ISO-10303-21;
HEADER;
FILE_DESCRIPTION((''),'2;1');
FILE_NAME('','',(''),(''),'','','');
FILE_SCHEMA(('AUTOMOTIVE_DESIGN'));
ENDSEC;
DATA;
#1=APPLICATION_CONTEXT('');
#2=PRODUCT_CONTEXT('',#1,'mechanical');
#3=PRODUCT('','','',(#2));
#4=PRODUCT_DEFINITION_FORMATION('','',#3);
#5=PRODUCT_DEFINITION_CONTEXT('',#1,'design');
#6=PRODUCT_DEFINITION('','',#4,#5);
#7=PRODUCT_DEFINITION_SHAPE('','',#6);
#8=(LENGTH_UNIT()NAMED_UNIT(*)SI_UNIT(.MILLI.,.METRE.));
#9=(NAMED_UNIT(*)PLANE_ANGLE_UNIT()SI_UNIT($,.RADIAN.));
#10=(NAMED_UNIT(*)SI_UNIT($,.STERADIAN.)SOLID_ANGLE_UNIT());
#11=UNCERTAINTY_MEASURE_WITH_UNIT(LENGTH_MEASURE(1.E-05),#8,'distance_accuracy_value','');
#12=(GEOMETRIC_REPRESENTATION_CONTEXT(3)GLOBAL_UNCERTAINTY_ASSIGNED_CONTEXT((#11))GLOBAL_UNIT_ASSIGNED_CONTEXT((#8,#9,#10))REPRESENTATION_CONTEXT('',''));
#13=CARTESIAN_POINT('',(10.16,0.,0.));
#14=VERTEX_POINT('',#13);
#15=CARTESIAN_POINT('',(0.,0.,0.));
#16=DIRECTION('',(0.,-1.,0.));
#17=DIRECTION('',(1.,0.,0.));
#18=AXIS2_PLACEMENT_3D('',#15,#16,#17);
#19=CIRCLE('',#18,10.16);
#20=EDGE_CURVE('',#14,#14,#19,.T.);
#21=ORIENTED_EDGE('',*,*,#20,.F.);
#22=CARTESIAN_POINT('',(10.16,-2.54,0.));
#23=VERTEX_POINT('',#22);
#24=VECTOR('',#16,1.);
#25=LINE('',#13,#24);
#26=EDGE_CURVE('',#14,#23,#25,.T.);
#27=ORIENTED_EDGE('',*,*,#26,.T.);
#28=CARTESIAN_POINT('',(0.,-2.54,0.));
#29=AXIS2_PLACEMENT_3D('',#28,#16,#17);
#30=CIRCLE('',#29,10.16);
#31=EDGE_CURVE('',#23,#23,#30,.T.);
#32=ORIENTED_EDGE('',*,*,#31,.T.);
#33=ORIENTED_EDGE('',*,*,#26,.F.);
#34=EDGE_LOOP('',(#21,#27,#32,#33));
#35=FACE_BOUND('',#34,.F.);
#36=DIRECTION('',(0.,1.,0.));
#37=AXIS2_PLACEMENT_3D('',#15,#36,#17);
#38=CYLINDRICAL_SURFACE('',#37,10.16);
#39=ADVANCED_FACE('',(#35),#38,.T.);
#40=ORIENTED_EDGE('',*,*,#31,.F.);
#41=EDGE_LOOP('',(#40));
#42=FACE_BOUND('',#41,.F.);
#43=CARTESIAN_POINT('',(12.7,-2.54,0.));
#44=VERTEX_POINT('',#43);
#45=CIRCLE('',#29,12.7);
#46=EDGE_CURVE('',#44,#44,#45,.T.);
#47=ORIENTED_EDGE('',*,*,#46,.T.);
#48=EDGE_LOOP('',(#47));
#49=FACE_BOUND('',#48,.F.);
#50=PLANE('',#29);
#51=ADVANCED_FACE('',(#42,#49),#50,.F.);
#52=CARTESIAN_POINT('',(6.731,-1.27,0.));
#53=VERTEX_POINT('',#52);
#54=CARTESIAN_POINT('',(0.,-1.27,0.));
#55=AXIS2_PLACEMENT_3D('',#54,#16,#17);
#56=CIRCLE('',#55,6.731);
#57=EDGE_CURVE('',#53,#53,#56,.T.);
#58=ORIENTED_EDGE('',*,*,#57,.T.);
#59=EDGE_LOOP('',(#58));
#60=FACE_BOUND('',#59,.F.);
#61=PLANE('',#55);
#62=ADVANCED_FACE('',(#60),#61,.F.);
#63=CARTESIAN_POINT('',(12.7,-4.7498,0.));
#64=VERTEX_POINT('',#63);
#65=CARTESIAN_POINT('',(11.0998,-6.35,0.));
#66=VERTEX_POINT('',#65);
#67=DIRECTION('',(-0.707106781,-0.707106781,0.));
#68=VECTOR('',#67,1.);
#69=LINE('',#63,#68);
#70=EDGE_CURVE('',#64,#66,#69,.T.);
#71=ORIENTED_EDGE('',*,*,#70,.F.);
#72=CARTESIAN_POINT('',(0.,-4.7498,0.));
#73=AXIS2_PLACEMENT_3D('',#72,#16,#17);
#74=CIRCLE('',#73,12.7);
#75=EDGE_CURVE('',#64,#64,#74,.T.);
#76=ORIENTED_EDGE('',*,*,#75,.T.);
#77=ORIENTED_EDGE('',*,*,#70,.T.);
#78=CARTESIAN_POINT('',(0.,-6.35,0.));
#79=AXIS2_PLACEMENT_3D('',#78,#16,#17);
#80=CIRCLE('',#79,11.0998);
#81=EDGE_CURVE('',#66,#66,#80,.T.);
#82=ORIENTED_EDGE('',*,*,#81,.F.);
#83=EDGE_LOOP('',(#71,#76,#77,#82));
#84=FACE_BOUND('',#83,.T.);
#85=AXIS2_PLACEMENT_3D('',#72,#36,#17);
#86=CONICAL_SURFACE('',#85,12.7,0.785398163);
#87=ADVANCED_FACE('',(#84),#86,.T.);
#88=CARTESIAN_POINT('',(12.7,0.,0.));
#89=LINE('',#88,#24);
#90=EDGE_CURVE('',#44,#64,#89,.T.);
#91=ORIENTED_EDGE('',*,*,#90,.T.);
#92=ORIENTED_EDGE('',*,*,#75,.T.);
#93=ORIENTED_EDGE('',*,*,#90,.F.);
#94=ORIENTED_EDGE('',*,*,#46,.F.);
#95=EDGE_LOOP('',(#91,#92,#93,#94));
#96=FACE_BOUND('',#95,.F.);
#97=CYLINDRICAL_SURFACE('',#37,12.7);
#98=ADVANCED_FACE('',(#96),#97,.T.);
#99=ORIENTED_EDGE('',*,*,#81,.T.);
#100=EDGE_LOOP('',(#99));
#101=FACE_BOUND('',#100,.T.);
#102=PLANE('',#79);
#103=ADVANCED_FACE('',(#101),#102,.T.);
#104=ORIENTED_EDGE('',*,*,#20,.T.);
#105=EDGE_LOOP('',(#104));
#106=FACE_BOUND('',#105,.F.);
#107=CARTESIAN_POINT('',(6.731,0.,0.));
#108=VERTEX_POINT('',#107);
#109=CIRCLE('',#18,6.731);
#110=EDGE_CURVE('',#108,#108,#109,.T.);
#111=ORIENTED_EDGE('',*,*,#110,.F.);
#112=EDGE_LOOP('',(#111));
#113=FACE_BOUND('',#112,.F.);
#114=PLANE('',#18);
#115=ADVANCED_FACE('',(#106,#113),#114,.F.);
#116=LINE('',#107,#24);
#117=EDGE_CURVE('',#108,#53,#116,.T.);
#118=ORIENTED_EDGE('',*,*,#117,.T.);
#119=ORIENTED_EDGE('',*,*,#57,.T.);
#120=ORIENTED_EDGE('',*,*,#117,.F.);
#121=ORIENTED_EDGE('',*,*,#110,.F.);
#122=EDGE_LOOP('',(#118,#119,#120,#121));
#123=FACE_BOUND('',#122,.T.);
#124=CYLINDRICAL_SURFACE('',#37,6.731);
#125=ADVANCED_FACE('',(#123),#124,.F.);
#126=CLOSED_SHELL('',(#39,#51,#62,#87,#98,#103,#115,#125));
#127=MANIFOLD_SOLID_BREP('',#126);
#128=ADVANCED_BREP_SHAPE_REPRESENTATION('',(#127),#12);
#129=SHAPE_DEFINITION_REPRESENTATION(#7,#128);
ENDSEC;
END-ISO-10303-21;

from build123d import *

# Parameters (mm, degrees)
F0_R     = 12.7
F0_R_2   = 10.16
F0_R_3   = 6.731
F1_DEPTH = 6.35
F2_DEPTH = 2.54
F3_DEPTH = 1.27
F4_SIZE  = 1.6002


with BuildPart() as f1:
    # F0 (on Front) → F1 (new body)
    with BuildSketch(Plane.XZ):
        Circle(F0_R)
        Circle(F0_R_2, mode=Mode.SUBTRACT)
        Circle(F0_R_2)
        Circle(F0_R_3, mode=Mode.SUBTRACT)
        Circle(F0_R_3)
    extrude(amount=F1_DEPTH)

    # F0 (on Front) → F2 (cut)
    with BuildSketch(Plane.XZ):
        Circle(F0_R)
        Circle(F0_R_2, mode=Mode.SUBTRACT)
    extrude(amount=F2_DEPTH, mode=Mode.SUBTRACT)

    # F0 (on Front) → F3 (cut)
    with BuildSketch(Plane.XZ):
        Circle(F0_R_3)
    extrude(amount=F3_DEPTH, mode=Mode.SUBTRACT)

    # F4
    f4_edges = [f1.edges().sort_by_distance(p)[0] for p in [
        (-12.7, -6.35, 0),
    ]]
    chamfer(f4_edges, length=F4_SIZE)


solid = f1.part
